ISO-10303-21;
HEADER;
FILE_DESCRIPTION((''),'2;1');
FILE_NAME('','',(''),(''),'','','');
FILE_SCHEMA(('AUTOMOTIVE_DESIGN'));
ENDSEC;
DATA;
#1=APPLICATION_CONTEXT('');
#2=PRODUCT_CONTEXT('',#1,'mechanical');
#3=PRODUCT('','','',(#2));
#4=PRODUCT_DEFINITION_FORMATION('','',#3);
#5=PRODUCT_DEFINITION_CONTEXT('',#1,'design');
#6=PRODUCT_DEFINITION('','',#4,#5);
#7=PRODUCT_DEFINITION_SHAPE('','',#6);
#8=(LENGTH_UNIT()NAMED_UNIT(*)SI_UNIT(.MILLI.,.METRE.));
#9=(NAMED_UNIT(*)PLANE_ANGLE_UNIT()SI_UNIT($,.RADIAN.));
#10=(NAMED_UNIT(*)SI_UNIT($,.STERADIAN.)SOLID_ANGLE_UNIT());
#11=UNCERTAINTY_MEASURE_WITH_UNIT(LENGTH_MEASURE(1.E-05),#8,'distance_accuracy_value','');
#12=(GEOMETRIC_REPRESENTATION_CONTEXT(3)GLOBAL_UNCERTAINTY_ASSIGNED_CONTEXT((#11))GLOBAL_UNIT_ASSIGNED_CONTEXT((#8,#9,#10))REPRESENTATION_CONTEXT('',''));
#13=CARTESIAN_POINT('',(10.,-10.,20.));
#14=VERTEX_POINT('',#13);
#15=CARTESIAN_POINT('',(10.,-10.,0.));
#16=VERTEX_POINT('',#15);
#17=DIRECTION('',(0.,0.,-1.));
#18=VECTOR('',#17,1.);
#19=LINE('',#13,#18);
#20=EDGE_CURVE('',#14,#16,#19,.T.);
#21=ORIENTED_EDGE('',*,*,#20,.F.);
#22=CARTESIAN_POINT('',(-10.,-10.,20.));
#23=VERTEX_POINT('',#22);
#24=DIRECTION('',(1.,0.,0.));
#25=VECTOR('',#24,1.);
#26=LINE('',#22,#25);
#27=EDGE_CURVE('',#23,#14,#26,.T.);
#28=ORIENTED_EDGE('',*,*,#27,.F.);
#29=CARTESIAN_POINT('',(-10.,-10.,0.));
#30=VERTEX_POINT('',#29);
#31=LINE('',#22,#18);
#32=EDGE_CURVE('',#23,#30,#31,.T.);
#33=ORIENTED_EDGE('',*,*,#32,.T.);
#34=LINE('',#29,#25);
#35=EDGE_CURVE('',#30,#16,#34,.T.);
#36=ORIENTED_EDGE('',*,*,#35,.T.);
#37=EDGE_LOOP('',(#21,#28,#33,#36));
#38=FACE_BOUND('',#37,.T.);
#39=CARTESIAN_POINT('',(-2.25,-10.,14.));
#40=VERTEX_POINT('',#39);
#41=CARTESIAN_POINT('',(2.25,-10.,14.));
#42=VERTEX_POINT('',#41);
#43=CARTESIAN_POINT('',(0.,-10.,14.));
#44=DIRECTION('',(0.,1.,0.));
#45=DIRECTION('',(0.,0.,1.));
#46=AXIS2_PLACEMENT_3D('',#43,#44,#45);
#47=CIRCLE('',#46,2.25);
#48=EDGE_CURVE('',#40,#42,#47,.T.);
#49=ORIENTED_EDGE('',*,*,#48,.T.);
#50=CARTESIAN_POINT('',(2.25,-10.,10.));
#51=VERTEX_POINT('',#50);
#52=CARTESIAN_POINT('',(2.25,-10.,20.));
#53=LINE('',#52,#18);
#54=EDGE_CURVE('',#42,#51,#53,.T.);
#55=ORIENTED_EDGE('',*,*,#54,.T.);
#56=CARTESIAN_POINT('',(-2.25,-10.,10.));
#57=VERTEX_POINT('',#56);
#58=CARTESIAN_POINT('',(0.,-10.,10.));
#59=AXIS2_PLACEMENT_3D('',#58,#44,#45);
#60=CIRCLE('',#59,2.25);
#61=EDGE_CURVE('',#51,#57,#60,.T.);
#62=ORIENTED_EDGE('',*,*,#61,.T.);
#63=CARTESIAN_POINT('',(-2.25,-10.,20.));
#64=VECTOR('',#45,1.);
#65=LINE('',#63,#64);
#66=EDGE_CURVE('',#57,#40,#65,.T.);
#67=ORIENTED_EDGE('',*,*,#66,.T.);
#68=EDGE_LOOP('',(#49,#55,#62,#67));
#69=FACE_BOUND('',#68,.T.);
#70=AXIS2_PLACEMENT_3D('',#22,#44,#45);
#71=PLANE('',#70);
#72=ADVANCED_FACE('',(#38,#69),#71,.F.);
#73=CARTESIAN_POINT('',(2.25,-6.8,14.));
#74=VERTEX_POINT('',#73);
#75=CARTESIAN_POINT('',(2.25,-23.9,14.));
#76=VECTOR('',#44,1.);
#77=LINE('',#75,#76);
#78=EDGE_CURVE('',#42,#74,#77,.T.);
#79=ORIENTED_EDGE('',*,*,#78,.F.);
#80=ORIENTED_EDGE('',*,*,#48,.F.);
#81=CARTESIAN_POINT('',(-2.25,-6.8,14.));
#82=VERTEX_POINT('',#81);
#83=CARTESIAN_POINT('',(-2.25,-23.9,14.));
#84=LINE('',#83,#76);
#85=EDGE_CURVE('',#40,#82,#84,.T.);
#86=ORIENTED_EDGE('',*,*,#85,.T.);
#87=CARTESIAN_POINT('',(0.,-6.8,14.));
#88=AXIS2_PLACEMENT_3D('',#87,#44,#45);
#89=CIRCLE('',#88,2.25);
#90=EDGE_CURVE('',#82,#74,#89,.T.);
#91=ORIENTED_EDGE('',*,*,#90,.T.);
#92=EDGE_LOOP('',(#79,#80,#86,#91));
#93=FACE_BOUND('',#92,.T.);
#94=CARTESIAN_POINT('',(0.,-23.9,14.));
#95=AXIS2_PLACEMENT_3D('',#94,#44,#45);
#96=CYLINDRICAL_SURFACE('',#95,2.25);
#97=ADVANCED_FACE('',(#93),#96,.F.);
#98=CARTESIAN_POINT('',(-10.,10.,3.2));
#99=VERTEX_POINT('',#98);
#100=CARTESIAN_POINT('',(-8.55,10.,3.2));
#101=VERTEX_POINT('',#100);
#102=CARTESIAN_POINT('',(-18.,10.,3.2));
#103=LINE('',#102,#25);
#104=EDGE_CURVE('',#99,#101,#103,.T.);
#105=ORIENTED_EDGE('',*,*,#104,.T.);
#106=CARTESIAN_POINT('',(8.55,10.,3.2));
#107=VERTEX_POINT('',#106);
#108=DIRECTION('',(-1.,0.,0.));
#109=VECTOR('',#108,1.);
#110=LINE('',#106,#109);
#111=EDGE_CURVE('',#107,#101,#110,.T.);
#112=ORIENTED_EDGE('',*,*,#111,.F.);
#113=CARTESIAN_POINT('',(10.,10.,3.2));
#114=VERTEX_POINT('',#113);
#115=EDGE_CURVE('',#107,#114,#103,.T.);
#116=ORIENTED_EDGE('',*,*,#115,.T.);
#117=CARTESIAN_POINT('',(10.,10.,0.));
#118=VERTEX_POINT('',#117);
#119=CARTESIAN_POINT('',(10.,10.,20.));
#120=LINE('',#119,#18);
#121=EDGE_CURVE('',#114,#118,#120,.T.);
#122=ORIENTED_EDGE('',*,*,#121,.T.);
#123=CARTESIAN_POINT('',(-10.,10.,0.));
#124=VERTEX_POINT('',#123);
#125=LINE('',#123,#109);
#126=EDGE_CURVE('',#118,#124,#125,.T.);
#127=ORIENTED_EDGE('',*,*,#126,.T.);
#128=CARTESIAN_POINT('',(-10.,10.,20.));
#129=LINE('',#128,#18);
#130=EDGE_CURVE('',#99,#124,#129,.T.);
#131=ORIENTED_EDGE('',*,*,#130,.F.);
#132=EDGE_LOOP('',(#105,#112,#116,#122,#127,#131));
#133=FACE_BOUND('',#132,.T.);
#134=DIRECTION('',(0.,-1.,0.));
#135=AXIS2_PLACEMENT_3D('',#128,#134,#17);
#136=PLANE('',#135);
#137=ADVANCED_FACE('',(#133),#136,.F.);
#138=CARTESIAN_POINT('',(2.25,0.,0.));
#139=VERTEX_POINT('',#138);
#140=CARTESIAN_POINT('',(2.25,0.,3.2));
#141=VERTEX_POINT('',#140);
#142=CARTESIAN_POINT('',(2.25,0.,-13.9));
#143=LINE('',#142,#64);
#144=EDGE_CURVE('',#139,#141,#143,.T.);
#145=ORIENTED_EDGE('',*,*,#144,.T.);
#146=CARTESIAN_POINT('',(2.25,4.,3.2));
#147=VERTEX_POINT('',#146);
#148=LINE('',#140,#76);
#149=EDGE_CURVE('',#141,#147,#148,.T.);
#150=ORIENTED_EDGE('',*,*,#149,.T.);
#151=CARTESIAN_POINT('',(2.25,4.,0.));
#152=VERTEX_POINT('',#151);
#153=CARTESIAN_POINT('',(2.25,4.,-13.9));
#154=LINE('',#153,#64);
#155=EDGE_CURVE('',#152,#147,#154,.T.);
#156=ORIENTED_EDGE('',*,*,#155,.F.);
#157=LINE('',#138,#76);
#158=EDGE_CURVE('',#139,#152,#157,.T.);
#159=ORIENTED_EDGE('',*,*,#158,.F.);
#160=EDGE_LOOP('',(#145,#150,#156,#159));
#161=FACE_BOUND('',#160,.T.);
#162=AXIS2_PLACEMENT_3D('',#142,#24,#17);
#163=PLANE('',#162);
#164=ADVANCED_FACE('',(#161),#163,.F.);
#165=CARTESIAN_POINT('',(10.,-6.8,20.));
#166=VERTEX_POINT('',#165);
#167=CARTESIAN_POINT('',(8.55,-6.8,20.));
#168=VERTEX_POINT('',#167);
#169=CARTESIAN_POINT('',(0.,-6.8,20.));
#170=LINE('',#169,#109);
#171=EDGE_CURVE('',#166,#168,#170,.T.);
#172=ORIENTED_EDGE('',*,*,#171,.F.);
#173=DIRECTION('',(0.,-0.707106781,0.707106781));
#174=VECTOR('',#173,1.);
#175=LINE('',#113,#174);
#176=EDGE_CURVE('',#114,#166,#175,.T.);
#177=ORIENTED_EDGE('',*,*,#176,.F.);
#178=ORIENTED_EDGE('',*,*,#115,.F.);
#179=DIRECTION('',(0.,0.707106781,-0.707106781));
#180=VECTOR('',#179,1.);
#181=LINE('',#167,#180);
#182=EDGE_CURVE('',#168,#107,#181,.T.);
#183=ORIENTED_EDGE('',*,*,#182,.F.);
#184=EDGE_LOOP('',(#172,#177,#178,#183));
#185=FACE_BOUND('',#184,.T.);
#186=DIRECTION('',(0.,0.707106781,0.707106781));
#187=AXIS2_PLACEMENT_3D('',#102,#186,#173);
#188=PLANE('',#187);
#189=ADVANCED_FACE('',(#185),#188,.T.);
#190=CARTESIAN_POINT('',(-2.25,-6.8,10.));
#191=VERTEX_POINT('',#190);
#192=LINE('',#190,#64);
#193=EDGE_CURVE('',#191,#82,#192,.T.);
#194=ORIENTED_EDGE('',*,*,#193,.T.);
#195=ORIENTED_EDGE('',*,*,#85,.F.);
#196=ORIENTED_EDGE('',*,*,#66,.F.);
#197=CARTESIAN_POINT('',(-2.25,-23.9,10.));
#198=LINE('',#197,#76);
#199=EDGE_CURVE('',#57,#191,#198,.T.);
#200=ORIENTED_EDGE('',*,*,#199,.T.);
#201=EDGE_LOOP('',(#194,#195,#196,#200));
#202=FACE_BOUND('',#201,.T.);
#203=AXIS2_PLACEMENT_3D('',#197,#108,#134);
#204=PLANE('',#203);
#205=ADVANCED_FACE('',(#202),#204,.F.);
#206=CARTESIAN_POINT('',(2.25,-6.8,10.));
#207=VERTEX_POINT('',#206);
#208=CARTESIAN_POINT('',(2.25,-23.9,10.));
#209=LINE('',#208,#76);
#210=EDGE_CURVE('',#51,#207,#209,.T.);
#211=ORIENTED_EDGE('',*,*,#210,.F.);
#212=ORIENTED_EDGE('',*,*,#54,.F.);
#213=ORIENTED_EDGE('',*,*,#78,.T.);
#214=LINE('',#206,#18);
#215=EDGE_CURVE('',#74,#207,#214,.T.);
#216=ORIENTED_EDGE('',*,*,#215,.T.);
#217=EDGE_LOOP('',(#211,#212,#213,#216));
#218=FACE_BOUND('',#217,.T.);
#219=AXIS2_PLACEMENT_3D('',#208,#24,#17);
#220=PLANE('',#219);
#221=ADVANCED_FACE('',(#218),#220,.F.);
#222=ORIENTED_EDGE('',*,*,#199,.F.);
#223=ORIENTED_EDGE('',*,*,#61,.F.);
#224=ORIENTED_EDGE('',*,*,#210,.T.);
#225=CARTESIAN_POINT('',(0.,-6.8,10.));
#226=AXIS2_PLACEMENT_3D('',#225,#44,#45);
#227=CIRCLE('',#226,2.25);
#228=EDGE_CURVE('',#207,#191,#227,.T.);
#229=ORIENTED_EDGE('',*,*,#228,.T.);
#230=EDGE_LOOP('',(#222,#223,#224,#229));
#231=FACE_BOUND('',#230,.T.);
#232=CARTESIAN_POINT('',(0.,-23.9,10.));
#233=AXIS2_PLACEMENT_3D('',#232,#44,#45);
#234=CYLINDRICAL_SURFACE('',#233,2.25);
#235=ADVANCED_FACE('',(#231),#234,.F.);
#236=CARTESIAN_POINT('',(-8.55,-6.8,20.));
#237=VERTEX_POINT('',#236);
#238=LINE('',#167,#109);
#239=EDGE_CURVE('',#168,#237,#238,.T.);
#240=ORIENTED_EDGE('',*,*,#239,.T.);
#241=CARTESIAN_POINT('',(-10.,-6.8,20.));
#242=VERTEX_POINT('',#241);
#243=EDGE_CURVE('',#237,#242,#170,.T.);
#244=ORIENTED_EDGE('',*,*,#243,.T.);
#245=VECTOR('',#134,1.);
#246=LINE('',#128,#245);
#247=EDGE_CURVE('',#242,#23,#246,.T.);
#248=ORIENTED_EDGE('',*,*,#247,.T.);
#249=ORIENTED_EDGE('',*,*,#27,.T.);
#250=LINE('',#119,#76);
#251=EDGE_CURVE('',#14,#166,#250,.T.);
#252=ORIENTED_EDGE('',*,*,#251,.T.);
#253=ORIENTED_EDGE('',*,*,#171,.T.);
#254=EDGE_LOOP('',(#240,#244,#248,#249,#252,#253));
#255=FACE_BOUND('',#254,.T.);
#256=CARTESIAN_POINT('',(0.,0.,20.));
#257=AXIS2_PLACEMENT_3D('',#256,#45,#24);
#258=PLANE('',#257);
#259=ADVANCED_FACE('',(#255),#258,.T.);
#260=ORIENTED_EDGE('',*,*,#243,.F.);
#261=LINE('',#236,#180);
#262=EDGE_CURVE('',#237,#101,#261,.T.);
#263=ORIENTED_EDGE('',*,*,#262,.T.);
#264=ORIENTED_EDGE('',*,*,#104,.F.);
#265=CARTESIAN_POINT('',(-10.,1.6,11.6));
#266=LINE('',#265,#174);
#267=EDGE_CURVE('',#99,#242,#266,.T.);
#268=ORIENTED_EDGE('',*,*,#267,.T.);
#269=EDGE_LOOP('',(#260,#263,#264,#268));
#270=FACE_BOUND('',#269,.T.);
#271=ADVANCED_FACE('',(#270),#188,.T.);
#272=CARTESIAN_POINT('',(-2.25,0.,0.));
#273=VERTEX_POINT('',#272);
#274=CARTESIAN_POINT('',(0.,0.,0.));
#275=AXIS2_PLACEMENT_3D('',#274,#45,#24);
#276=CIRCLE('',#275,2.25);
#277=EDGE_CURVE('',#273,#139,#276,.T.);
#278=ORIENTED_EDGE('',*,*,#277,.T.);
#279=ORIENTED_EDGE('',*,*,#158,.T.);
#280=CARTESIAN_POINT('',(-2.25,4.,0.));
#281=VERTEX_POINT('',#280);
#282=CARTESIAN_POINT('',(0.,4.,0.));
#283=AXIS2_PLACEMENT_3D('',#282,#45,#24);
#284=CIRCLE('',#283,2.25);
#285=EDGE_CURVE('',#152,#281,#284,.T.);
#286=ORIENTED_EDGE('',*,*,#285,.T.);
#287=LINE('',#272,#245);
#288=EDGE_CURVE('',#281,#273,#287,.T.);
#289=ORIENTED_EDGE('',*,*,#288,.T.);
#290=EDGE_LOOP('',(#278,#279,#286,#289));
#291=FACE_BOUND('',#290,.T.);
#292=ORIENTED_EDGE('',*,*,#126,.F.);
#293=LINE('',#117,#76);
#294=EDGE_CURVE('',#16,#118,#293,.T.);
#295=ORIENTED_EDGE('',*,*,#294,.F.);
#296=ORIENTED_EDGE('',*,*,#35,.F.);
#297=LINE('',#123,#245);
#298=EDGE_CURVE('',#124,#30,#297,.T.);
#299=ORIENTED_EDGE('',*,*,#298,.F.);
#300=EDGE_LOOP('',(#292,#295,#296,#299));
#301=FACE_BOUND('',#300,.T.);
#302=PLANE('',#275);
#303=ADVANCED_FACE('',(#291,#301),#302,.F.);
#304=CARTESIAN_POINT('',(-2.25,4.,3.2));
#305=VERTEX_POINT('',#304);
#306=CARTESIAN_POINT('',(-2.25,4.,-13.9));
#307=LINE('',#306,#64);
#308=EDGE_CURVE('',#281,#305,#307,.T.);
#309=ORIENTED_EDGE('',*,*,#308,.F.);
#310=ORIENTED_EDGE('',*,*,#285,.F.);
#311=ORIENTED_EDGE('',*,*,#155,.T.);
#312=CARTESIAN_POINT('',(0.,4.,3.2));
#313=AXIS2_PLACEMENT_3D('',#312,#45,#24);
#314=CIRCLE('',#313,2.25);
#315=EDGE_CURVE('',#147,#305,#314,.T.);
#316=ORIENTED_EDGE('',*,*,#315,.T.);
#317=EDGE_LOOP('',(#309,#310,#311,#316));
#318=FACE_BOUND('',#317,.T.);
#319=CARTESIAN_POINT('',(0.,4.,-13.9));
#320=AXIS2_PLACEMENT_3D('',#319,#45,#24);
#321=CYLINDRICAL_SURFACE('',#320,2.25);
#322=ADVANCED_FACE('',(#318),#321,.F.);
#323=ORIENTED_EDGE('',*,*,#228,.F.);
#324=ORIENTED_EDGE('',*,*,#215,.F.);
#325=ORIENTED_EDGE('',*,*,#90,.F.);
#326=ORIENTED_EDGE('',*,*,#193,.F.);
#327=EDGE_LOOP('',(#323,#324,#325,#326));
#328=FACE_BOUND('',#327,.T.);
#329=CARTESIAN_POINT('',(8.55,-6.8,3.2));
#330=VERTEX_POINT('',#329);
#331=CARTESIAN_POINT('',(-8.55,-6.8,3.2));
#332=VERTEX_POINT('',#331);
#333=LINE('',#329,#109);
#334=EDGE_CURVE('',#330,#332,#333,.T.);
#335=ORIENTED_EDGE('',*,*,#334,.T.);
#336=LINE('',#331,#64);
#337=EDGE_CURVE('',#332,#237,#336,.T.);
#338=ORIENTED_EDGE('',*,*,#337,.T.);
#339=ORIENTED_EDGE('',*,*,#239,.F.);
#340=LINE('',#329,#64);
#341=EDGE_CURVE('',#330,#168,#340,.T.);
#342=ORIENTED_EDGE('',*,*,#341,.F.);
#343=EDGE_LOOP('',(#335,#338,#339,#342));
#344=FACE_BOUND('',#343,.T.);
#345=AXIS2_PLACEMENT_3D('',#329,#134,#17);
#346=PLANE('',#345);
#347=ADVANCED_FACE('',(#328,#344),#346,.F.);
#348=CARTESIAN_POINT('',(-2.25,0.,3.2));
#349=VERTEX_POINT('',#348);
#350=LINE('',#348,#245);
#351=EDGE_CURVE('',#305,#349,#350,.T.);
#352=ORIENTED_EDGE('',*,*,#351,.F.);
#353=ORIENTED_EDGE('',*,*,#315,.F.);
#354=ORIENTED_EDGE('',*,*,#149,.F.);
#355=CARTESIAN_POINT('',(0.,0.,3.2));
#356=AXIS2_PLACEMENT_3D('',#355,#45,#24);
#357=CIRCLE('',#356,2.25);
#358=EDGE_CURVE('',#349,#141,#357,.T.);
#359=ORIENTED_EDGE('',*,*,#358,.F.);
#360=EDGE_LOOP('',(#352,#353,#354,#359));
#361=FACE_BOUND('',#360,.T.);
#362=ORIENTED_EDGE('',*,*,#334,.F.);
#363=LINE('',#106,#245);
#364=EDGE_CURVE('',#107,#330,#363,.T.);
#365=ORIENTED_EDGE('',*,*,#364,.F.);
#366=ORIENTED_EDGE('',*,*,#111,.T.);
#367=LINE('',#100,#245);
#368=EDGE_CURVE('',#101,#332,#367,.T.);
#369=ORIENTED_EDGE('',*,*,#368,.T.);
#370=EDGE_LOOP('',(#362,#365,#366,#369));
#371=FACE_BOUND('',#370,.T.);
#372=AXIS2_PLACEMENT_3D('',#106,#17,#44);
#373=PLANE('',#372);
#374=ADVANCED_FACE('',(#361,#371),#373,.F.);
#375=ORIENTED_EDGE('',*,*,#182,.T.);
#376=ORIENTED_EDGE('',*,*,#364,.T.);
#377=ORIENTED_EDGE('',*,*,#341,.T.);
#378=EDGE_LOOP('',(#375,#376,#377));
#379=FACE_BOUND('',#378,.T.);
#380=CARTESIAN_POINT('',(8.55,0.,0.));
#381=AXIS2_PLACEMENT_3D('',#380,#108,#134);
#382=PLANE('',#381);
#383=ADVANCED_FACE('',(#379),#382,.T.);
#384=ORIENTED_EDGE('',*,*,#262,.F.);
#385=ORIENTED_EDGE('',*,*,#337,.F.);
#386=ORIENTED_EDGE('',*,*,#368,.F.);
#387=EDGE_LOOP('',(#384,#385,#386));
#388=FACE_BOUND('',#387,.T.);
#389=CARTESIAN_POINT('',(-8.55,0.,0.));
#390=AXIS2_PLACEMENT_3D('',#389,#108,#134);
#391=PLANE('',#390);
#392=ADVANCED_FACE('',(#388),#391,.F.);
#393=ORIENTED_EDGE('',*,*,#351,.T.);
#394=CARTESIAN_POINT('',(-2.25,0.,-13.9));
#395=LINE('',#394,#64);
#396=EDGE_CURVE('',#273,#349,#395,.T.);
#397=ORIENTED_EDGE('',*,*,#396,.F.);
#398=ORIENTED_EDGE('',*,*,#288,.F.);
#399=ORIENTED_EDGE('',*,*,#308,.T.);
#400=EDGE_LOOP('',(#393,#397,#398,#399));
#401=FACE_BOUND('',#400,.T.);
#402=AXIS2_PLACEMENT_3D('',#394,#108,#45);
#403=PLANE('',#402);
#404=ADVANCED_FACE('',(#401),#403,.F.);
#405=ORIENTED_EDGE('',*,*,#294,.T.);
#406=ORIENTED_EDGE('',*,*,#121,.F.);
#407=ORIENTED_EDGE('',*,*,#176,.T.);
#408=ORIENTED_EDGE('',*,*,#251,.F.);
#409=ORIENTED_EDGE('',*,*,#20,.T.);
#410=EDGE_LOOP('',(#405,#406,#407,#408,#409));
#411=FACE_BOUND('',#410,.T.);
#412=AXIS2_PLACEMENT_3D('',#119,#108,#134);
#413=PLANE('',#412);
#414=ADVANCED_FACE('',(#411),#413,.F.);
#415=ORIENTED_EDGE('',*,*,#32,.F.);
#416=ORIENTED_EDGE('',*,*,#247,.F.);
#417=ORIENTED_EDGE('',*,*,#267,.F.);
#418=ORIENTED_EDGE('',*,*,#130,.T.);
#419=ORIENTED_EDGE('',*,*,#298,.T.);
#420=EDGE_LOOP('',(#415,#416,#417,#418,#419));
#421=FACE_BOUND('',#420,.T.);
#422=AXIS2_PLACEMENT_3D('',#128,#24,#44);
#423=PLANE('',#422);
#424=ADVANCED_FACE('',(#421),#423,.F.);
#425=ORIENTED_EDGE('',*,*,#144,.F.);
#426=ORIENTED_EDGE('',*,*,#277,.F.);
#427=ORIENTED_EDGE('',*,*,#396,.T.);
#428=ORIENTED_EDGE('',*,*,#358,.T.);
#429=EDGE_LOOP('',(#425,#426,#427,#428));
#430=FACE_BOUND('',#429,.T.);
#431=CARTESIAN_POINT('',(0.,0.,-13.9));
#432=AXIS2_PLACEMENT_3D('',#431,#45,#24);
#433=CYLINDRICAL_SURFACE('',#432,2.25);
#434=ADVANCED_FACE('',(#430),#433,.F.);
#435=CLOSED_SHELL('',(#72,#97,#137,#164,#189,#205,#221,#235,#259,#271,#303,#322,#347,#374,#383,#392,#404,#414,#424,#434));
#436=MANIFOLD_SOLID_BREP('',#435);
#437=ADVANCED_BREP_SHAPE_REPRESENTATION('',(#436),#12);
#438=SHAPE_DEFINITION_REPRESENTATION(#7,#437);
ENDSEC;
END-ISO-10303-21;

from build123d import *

# Parameters (mm, degrees)
SKETCH1_W           = 20
SKETCH1_H           = 20
BOSS_EXTRUDE1_DEPTH = 20
CUT_EXTRUDE2_DEPTH  = 28
CUT_EXTRUDE3_DEPTH  = 8.55
CUT_EXTRUDE4_DEPTH  = 17.1
CUT_EXTRUDE5_DEPTH  = 17.1


with BuildPart() as part:
    # Sketch1 → Boss-Extrude1 (new body)
    with BuildSketch(Plane.XY):
        Rectangle(SKETCH1_W, SKETCH1_H)
    extrude(amount=BOSS_EXTRUDE1_DEPTH)

    # Sketch3 → Cut-Extrude2 (cut)
    with BuildSketch(Plane(origin=(10, 0, 0), x_dir=(0, 0, -1), z_dir=(1, 0, 0))):
        Polygon((-3.2, 10), (-20, -6.8), (-20, 10), align=None)
    extrude(amount=-CUT_EXTRUDE2_DEPTH, mode=Mode.SUBTRACT)

    # Sketch6 → Cut-Extrude3 (cut, symmetric)
    with BuildSketch(Plane.ZY):
        Polygon((3.2, 10), (3.2, -6.8), (20, -6.8), align=None)
    extrude(amount=CUT_EXTRUDE3_DEPTH, both=True, mode=Mode.SUBTRACT)

    # Sketch7 → Cut-Extrude4 (cut)
    with BuildSketch(Plane.XY.offset(3.2)):
        with BuildLine():
            Line((-2.25, 0), (-2.25, 4))
            ThreePointArc((-2.25, 4), (0, 6.25), (2.25, 4))
            Line((2.25, 4), (2.25, 0))
            ThreePointArc((2.25, 0), (0, -2.25), (-2.25, 0))
        make_face()
    extrude(amount=-CUT_EXTRUDE4_DEPTH, mode=Mode.SUBTRACT)

    # Sketch9 → Cut-Extrude5 (cut)
    with BuildSketch(Plane(origin=(0, -6.8, 0), x_dir=(1, 0, 0), z_dir=(0, 1, 0))):
        with BuildLine():
            Line((2.25, -10), (2.25, -14))
            ThreePointArc((2.25, -14), (0, -16.25), (-2.25, -14))
            Line((-2.25, -14), (-2.25, -10))
            ThreePointArc((-2.25, -10), (0, -7.75), (2.25, -10))
        make_face()
    extrude(amount=-CUT_EXTRUDE5_DEPTH, mode=Mode.SUBTRACT)


solid = part.part
